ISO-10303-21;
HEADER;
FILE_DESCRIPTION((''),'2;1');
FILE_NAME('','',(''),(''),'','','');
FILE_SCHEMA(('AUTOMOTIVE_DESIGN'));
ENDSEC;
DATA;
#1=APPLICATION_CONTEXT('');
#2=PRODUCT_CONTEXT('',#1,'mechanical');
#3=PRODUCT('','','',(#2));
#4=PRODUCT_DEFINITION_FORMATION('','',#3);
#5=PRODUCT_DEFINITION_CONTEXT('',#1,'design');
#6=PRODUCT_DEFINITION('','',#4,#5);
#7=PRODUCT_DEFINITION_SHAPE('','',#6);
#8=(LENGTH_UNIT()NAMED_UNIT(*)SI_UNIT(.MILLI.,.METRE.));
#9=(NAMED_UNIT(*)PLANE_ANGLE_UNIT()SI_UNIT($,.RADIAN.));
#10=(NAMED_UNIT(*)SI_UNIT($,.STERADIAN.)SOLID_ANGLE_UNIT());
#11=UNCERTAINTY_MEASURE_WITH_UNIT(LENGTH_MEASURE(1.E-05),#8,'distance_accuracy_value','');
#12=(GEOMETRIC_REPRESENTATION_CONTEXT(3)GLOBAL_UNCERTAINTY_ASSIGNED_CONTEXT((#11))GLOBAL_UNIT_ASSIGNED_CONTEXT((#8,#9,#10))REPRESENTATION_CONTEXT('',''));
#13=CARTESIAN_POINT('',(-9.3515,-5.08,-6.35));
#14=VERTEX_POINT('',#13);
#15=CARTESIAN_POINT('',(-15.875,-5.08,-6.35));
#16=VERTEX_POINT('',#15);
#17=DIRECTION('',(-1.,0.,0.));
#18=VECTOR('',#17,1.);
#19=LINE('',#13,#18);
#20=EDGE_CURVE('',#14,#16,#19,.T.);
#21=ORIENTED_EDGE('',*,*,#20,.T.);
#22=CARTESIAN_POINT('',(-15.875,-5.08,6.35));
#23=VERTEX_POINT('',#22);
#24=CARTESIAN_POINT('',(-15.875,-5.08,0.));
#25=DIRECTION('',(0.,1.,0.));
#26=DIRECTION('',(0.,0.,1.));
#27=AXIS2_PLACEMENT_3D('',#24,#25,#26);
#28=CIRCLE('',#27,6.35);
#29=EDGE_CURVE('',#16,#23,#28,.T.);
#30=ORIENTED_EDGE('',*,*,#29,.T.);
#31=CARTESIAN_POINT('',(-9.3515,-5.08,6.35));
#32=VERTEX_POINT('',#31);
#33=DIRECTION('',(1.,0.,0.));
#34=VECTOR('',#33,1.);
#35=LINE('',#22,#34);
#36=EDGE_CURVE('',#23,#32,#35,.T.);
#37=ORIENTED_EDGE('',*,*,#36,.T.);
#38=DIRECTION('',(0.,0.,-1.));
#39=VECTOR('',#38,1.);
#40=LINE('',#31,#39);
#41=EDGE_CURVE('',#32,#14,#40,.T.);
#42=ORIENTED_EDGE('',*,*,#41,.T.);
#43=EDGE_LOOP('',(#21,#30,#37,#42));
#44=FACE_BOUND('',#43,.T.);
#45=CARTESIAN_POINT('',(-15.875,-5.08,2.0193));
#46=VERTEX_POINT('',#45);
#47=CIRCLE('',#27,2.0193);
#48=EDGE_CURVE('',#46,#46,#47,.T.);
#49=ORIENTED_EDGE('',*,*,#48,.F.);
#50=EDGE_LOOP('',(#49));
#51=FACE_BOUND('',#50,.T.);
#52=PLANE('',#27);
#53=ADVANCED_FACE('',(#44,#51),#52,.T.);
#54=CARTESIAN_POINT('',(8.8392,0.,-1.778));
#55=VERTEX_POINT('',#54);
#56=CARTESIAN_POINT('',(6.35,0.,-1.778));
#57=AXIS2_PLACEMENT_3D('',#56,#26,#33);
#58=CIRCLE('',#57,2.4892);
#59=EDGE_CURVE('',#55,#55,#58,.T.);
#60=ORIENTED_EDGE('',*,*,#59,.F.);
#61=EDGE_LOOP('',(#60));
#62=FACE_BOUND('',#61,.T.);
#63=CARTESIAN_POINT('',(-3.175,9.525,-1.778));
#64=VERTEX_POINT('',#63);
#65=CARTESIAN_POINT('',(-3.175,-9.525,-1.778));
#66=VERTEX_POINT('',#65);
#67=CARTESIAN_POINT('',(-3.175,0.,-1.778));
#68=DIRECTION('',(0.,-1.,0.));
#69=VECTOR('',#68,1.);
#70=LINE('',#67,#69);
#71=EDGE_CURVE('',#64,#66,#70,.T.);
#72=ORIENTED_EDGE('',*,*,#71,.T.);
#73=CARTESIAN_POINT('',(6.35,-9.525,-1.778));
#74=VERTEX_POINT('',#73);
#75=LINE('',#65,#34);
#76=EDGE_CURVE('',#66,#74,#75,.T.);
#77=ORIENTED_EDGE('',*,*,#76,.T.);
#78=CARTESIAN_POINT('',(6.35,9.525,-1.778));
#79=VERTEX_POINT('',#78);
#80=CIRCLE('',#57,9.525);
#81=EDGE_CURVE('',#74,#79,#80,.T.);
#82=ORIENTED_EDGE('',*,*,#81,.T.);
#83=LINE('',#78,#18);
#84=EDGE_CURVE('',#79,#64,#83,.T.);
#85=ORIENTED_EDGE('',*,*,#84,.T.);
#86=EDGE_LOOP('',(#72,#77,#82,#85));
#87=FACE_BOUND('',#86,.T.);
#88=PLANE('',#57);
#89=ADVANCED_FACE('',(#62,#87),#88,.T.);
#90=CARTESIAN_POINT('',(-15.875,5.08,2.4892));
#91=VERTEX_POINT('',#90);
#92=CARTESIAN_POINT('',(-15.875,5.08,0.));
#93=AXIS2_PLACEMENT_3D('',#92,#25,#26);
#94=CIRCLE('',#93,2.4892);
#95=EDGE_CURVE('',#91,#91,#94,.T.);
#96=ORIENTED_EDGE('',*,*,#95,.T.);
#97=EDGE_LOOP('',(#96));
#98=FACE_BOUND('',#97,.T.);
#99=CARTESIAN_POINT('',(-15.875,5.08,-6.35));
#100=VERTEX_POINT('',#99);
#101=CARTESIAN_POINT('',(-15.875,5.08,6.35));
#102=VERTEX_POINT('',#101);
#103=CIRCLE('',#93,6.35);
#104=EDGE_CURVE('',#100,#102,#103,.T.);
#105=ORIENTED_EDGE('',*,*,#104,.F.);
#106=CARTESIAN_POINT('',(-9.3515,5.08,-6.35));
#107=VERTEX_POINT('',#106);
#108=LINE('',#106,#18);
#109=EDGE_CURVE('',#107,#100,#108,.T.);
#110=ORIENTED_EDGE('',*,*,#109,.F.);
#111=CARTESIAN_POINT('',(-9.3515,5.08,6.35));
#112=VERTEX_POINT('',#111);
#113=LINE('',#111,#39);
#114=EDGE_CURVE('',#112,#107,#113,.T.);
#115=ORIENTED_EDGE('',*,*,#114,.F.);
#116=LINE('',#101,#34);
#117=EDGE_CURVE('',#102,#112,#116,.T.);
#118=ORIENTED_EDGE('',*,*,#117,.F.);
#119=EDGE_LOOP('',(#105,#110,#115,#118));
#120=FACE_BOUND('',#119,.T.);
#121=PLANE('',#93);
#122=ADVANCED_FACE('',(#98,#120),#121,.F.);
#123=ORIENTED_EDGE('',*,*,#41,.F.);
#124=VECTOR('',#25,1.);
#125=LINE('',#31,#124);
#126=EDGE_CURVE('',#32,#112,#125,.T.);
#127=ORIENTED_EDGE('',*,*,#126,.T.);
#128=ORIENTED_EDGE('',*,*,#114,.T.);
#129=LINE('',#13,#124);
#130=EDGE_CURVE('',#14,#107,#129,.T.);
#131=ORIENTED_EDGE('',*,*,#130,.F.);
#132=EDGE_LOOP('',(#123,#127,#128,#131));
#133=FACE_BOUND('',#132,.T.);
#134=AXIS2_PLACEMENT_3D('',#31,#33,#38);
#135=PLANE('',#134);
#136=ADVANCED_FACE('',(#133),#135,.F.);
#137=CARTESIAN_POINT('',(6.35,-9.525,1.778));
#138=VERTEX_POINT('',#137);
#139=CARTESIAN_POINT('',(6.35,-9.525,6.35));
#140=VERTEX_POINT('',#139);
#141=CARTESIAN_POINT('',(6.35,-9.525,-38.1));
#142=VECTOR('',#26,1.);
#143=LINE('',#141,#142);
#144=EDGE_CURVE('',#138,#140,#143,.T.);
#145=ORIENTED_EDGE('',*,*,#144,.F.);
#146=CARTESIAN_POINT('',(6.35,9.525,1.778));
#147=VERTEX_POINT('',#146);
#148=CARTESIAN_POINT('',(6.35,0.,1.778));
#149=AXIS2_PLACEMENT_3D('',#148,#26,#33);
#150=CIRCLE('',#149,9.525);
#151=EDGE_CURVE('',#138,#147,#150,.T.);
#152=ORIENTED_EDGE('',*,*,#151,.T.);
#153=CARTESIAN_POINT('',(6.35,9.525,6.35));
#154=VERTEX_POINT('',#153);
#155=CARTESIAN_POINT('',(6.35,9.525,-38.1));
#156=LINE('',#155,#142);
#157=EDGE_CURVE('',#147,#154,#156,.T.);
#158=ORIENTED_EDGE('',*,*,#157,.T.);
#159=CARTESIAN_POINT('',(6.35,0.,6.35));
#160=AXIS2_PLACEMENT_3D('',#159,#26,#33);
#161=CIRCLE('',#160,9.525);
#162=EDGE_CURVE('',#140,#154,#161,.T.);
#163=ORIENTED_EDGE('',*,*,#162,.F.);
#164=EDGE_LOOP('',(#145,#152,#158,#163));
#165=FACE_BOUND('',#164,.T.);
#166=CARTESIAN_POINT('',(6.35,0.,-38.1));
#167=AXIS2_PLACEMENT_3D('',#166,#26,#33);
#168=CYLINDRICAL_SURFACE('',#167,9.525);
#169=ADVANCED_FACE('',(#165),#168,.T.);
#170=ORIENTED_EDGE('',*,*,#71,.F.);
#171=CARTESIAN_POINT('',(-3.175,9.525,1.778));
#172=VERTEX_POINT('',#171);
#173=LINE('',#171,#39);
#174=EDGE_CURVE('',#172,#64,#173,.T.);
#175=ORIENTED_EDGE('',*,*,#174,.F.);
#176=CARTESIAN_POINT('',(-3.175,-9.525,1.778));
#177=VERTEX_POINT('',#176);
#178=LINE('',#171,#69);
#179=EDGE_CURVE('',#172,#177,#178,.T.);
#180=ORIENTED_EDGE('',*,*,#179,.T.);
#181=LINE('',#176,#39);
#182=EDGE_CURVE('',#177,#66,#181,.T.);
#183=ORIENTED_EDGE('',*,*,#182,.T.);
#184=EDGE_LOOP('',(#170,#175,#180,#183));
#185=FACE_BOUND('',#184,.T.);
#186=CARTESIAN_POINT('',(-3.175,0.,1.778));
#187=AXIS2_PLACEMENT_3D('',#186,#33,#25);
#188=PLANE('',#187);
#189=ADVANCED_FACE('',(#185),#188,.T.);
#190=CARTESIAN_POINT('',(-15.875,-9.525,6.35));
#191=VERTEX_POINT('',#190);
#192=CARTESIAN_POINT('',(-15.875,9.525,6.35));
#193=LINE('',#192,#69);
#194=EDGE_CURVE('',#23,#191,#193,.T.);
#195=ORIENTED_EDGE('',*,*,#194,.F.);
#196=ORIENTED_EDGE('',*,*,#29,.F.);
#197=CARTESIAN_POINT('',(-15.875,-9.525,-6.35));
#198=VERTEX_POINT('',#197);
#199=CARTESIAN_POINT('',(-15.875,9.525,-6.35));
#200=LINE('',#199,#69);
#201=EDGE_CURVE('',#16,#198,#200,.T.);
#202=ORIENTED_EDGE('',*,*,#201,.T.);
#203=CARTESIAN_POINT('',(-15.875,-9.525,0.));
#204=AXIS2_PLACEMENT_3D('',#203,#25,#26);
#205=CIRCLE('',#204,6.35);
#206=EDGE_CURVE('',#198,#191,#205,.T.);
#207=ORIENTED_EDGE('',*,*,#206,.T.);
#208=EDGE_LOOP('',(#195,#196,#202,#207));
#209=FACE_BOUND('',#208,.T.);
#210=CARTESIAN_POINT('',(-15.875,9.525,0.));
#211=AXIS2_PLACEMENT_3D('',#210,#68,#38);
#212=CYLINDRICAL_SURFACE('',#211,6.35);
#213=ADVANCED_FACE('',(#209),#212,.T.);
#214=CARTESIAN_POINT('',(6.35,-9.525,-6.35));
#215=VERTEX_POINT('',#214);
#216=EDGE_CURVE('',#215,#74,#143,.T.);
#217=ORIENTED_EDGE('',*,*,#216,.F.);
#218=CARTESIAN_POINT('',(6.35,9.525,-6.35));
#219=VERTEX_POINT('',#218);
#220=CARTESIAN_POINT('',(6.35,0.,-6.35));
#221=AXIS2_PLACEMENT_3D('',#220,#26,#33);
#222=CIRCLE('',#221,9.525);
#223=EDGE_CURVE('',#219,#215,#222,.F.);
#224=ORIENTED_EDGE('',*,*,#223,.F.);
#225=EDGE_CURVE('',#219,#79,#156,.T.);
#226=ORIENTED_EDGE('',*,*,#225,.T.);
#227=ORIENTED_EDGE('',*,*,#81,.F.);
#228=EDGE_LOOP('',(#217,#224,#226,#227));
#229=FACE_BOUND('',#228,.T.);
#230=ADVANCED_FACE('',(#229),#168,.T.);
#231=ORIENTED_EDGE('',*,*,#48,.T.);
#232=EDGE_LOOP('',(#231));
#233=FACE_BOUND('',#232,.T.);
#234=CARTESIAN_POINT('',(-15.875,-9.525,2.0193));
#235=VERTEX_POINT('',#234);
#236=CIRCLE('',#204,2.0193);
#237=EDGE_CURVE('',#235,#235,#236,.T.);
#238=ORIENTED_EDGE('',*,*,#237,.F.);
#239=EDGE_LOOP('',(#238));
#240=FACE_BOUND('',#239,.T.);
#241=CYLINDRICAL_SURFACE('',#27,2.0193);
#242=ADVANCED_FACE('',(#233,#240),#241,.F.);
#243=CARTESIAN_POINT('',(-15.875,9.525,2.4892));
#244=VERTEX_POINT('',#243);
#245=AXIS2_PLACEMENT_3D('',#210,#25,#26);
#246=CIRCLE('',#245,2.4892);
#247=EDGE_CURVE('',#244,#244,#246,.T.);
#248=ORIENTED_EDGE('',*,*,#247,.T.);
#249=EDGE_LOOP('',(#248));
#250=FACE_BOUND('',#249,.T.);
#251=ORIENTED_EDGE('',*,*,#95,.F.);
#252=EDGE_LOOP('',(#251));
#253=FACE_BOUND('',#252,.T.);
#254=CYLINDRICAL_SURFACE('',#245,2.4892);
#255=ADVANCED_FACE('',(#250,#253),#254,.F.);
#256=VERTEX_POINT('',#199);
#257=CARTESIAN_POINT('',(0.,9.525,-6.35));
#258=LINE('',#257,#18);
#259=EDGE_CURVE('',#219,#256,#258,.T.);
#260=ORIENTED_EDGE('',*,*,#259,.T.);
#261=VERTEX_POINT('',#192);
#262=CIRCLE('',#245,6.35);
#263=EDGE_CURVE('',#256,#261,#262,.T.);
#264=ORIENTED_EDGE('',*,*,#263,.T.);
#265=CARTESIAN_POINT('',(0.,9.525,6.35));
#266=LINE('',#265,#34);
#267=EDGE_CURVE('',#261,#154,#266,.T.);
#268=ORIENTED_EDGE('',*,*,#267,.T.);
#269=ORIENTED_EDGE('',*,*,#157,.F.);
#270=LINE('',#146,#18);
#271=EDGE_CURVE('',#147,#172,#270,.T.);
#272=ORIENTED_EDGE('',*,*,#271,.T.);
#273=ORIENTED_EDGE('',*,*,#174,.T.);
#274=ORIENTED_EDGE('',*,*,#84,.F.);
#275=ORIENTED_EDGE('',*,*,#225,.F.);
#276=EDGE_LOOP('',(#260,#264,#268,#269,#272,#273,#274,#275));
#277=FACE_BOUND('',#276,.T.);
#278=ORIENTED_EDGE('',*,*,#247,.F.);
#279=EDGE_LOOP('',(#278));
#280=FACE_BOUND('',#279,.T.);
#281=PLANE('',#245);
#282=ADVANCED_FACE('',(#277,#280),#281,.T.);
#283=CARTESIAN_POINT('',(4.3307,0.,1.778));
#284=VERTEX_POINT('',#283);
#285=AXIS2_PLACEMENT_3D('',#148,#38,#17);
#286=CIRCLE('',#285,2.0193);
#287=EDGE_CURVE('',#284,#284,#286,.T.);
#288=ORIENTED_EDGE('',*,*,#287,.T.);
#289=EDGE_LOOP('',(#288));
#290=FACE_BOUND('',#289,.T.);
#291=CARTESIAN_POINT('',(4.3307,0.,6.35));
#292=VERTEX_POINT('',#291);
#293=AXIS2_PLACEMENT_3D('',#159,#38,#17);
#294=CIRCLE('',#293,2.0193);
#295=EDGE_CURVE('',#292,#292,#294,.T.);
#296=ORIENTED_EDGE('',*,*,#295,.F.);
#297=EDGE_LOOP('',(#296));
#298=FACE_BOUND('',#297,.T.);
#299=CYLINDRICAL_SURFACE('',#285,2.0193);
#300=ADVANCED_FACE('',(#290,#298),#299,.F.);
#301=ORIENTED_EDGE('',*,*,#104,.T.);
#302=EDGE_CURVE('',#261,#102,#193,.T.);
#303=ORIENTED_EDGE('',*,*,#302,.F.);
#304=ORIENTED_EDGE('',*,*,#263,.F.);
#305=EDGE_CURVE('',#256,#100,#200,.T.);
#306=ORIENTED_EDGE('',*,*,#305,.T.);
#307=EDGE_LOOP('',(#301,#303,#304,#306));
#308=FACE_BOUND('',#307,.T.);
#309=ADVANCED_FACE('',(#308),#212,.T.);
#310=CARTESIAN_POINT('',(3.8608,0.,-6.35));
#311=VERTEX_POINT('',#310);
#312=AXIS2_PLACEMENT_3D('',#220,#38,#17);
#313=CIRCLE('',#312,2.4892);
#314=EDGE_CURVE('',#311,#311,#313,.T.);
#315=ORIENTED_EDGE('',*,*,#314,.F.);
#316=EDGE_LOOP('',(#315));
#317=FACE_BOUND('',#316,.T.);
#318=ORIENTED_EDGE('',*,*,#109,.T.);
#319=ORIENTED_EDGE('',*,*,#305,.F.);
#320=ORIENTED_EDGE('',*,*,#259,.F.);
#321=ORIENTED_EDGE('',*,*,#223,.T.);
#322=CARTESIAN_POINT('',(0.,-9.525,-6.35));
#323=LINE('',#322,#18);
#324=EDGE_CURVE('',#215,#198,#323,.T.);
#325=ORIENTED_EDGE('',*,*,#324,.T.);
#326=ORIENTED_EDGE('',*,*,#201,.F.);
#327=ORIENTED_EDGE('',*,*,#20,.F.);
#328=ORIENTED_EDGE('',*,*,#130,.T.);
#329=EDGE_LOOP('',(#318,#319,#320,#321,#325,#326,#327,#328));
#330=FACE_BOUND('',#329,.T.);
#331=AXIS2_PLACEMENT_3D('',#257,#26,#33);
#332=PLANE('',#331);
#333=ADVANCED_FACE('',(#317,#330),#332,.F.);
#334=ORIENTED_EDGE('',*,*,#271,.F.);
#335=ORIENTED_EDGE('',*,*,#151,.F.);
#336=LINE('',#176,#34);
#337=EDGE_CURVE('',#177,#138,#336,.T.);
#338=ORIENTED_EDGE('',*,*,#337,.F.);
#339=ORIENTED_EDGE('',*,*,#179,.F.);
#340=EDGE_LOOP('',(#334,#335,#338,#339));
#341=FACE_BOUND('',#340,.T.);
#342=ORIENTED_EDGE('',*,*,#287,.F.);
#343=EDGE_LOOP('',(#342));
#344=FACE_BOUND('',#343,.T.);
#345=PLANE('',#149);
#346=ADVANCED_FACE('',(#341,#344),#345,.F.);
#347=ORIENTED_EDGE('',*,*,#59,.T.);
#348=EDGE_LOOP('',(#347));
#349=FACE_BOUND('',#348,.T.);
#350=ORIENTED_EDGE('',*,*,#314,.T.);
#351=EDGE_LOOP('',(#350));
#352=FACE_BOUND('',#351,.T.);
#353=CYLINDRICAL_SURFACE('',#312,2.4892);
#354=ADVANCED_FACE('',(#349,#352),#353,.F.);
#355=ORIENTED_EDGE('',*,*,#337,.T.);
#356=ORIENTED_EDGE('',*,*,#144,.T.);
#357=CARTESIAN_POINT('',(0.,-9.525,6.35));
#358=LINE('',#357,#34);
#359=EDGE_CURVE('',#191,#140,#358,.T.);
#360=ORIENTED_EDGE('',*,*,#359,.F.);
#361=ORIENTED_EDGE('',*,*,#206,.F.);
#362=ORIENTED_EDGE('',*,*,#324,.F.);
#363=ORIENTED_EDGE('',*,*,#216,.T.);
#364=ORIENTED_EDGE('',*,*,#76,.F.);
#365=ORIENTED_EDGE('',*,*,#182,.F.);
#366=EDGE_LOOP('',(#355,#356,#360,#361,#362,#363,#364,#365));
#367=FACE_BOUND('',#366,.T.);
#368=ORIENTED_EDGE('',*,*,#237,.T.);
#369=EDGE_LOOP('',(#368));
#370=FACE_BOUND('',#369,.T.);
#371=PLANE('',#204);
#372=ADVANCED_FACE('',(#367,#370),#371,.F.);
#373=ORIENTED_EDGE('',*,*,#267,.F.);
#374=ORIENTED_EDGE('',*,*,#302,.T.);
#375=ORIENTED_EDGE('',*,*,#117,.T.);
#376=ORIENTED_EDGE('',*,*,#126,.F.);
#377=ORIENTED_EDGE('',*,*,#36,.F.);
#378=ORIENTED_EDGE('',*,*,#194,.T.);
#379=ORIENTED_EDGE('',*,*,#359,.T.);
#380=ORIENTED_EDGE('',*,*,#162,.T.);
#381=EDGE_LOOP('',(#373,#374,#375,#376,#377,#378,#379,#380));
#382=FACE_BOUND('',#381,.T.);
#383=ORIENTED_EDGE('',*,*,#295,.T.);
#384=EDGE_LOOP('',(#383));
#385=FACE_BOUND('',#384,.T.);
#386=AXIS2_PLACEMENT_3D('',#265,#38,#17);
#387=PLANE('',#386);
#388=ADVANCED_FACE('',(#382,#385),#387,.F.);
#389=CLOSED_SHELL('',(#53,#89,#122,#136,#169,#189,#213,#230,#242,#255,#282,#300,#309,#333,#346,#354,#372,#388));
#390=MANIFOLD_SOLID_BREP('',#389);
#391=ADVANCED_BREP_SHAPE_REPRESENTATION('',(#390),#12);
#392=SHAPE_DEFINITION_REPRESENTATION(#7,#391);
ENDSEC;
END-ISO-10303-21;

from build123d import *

# Parameters (mm, degrees)
BOSS_EXTRUDE1_DEPTH        = 9.525
BOSS_EXTRUDE2_DEPTH        = 12.7
CUT_EXTRUDE1_DEPTH         = 5.08
F_10_32_TAPPED_HOLE1_D     = 4.0386
F_10_32_TAPPED_HOLE1_DEPTH = 4.445
F_10_CLEARANCE_HOLE1_D     = 4.9784
F_10_CLEARANCE_HOLE1_DEPTH = 14.604
CUT_EXTRUDE2_DEPTH         = 1.778
F_10_CLEARANCE_HOLE2_D     = 4.9784
F_10_CLEARANCE_HOLE2_DEPTH = 8.127
F_10_32_TAPPED_HOLE2_D     = 4.0386


with BuildPart() as part:
    # Sketch1 → Boss-Extrude1 (new, symmetric)
    with BuildSketch(Plane(origin=(0, 0, 0), x_dir=(1, 0, 0), z_dir=(0, 1, 0))):
        with BuildLine():
            Line((0, -6.35), (-15.875, -6.35))
            ThreePointArc((-15.875, -6.35), (-22.225, 0), (-15.875, 6.35))
            Line((-15.875, 6.35), (0, 6.35))
            Line((0, 6.35), (0, -6.35))
        make_face()
    extrude(amount=BOSS_EXTRUDE1_DEPTH, both=True)

    # Sketch2 → Boss-Extrude2 (add)
    with BuildSketch(Plane.XY.offset(6.35)):
        with BuildLine():
            Line((0, 9.525), (6.35, 9.525))
            ThreePointArc((6.35, 9.525), (15.875, 0), (6.35, -9.525))
            Line((6.35, -9.525), (0, -9.525))
            ThreePointArc((0, -9.525), (-9.525, 0), (0, 9.525))
        make_face()
    extrude(amount=-BOSS_EXTRUDE2_DEPTH)

    # Sketch3 → Cut-Extrude1 (cut, symmetric)
    with BuildSketch(Plane(origin=(0, 0, 0), x_dir=(1, 0, 0), z_dir=(0, 1, 0))):
        with BuildLine():
            Line((-9.351499966, 6.35), (-15.875, 6.35))
            ThreePointArc((-15.875, 6.35), (-22.225, 0), (-15.875, -6.35))
            Line((-15.875, -6.35), (-9.351499966, -6.35))
            Line((-9.351499966, -6.35), (-9.351499966, 6.35))
        make_face()
    extrude(amount=CUT_EXTRUDE1_DEPTH, both=True, mode=Mode.SUBTRACT)

    # #10-32 Tapped Hole1
    with Locations(Plane(origin=(0, -5.08, 0), x_dir=(1, 0, 0), z_dir=(0, 1, 0))):
        with Locations((-15.875, 0)):
            Hole(F_10_32_TAPPED_HOLE1_D / 2, depth=F_10_32_TAPPED_HOLE1_DEPTH)

    # #10 Clearance Hole1
    with Locations(Plane(origin=(0, 9.525, 0), x_dir=(1, 0, 0), z_dir=(0, 1, 0))):
        with Locations((-15.875, 0)):
            Hole(F_10_CLEARANCE_HOLE1_D / 2, depth=F_10_CLEARANCE_HOLE1_DEPTH)

    # Sketch9 → Cut-Extrude2 (cut, symmetric)
    with BuildSketch(Plane.XY):
        with BuildLine():
            Line((-3.175, 0), (-3.175, -9.525))
            Line((-3.175, -9.525), (6.35, -9.525))
            ThreePointArc((6.35, -9.525), (15.875, 0), (6.35, 9.525))
            Line((6.35, 9.525), (-3.175, 9.525))
            Line((-3.175, 9.525), (-3.175, 0))
        make_face()
    extrude(amount=CUT_EXTRUDE2_DEPTH, both=True, mode=Mode.SUBTRACT)

    # #10 Clearance Hole2
    with Locations(Plane(origin=(0, 0, -6.35), x_dir=(-1, 0, 0), z_dir=(0, 0, -1))):
        with Locations((-6.35, 0)):
            Hole(F_10_CLEARANCE_HOLE2_D / 2, depth=F_10_CLEARANCE_HOLE2_DEPTH)

    # #10-32 Tapped Hole2 (through all)
    with Locations(Plane(origin=(0, 0, 1.778), x_dir=(-1, 0, 0), z_dir=(0, 0, -1))):
        with Locations((-6.35, 0)):
            Hole(F_10_32_TAPPED_HOLE2_D / 2)


solid = part.part
